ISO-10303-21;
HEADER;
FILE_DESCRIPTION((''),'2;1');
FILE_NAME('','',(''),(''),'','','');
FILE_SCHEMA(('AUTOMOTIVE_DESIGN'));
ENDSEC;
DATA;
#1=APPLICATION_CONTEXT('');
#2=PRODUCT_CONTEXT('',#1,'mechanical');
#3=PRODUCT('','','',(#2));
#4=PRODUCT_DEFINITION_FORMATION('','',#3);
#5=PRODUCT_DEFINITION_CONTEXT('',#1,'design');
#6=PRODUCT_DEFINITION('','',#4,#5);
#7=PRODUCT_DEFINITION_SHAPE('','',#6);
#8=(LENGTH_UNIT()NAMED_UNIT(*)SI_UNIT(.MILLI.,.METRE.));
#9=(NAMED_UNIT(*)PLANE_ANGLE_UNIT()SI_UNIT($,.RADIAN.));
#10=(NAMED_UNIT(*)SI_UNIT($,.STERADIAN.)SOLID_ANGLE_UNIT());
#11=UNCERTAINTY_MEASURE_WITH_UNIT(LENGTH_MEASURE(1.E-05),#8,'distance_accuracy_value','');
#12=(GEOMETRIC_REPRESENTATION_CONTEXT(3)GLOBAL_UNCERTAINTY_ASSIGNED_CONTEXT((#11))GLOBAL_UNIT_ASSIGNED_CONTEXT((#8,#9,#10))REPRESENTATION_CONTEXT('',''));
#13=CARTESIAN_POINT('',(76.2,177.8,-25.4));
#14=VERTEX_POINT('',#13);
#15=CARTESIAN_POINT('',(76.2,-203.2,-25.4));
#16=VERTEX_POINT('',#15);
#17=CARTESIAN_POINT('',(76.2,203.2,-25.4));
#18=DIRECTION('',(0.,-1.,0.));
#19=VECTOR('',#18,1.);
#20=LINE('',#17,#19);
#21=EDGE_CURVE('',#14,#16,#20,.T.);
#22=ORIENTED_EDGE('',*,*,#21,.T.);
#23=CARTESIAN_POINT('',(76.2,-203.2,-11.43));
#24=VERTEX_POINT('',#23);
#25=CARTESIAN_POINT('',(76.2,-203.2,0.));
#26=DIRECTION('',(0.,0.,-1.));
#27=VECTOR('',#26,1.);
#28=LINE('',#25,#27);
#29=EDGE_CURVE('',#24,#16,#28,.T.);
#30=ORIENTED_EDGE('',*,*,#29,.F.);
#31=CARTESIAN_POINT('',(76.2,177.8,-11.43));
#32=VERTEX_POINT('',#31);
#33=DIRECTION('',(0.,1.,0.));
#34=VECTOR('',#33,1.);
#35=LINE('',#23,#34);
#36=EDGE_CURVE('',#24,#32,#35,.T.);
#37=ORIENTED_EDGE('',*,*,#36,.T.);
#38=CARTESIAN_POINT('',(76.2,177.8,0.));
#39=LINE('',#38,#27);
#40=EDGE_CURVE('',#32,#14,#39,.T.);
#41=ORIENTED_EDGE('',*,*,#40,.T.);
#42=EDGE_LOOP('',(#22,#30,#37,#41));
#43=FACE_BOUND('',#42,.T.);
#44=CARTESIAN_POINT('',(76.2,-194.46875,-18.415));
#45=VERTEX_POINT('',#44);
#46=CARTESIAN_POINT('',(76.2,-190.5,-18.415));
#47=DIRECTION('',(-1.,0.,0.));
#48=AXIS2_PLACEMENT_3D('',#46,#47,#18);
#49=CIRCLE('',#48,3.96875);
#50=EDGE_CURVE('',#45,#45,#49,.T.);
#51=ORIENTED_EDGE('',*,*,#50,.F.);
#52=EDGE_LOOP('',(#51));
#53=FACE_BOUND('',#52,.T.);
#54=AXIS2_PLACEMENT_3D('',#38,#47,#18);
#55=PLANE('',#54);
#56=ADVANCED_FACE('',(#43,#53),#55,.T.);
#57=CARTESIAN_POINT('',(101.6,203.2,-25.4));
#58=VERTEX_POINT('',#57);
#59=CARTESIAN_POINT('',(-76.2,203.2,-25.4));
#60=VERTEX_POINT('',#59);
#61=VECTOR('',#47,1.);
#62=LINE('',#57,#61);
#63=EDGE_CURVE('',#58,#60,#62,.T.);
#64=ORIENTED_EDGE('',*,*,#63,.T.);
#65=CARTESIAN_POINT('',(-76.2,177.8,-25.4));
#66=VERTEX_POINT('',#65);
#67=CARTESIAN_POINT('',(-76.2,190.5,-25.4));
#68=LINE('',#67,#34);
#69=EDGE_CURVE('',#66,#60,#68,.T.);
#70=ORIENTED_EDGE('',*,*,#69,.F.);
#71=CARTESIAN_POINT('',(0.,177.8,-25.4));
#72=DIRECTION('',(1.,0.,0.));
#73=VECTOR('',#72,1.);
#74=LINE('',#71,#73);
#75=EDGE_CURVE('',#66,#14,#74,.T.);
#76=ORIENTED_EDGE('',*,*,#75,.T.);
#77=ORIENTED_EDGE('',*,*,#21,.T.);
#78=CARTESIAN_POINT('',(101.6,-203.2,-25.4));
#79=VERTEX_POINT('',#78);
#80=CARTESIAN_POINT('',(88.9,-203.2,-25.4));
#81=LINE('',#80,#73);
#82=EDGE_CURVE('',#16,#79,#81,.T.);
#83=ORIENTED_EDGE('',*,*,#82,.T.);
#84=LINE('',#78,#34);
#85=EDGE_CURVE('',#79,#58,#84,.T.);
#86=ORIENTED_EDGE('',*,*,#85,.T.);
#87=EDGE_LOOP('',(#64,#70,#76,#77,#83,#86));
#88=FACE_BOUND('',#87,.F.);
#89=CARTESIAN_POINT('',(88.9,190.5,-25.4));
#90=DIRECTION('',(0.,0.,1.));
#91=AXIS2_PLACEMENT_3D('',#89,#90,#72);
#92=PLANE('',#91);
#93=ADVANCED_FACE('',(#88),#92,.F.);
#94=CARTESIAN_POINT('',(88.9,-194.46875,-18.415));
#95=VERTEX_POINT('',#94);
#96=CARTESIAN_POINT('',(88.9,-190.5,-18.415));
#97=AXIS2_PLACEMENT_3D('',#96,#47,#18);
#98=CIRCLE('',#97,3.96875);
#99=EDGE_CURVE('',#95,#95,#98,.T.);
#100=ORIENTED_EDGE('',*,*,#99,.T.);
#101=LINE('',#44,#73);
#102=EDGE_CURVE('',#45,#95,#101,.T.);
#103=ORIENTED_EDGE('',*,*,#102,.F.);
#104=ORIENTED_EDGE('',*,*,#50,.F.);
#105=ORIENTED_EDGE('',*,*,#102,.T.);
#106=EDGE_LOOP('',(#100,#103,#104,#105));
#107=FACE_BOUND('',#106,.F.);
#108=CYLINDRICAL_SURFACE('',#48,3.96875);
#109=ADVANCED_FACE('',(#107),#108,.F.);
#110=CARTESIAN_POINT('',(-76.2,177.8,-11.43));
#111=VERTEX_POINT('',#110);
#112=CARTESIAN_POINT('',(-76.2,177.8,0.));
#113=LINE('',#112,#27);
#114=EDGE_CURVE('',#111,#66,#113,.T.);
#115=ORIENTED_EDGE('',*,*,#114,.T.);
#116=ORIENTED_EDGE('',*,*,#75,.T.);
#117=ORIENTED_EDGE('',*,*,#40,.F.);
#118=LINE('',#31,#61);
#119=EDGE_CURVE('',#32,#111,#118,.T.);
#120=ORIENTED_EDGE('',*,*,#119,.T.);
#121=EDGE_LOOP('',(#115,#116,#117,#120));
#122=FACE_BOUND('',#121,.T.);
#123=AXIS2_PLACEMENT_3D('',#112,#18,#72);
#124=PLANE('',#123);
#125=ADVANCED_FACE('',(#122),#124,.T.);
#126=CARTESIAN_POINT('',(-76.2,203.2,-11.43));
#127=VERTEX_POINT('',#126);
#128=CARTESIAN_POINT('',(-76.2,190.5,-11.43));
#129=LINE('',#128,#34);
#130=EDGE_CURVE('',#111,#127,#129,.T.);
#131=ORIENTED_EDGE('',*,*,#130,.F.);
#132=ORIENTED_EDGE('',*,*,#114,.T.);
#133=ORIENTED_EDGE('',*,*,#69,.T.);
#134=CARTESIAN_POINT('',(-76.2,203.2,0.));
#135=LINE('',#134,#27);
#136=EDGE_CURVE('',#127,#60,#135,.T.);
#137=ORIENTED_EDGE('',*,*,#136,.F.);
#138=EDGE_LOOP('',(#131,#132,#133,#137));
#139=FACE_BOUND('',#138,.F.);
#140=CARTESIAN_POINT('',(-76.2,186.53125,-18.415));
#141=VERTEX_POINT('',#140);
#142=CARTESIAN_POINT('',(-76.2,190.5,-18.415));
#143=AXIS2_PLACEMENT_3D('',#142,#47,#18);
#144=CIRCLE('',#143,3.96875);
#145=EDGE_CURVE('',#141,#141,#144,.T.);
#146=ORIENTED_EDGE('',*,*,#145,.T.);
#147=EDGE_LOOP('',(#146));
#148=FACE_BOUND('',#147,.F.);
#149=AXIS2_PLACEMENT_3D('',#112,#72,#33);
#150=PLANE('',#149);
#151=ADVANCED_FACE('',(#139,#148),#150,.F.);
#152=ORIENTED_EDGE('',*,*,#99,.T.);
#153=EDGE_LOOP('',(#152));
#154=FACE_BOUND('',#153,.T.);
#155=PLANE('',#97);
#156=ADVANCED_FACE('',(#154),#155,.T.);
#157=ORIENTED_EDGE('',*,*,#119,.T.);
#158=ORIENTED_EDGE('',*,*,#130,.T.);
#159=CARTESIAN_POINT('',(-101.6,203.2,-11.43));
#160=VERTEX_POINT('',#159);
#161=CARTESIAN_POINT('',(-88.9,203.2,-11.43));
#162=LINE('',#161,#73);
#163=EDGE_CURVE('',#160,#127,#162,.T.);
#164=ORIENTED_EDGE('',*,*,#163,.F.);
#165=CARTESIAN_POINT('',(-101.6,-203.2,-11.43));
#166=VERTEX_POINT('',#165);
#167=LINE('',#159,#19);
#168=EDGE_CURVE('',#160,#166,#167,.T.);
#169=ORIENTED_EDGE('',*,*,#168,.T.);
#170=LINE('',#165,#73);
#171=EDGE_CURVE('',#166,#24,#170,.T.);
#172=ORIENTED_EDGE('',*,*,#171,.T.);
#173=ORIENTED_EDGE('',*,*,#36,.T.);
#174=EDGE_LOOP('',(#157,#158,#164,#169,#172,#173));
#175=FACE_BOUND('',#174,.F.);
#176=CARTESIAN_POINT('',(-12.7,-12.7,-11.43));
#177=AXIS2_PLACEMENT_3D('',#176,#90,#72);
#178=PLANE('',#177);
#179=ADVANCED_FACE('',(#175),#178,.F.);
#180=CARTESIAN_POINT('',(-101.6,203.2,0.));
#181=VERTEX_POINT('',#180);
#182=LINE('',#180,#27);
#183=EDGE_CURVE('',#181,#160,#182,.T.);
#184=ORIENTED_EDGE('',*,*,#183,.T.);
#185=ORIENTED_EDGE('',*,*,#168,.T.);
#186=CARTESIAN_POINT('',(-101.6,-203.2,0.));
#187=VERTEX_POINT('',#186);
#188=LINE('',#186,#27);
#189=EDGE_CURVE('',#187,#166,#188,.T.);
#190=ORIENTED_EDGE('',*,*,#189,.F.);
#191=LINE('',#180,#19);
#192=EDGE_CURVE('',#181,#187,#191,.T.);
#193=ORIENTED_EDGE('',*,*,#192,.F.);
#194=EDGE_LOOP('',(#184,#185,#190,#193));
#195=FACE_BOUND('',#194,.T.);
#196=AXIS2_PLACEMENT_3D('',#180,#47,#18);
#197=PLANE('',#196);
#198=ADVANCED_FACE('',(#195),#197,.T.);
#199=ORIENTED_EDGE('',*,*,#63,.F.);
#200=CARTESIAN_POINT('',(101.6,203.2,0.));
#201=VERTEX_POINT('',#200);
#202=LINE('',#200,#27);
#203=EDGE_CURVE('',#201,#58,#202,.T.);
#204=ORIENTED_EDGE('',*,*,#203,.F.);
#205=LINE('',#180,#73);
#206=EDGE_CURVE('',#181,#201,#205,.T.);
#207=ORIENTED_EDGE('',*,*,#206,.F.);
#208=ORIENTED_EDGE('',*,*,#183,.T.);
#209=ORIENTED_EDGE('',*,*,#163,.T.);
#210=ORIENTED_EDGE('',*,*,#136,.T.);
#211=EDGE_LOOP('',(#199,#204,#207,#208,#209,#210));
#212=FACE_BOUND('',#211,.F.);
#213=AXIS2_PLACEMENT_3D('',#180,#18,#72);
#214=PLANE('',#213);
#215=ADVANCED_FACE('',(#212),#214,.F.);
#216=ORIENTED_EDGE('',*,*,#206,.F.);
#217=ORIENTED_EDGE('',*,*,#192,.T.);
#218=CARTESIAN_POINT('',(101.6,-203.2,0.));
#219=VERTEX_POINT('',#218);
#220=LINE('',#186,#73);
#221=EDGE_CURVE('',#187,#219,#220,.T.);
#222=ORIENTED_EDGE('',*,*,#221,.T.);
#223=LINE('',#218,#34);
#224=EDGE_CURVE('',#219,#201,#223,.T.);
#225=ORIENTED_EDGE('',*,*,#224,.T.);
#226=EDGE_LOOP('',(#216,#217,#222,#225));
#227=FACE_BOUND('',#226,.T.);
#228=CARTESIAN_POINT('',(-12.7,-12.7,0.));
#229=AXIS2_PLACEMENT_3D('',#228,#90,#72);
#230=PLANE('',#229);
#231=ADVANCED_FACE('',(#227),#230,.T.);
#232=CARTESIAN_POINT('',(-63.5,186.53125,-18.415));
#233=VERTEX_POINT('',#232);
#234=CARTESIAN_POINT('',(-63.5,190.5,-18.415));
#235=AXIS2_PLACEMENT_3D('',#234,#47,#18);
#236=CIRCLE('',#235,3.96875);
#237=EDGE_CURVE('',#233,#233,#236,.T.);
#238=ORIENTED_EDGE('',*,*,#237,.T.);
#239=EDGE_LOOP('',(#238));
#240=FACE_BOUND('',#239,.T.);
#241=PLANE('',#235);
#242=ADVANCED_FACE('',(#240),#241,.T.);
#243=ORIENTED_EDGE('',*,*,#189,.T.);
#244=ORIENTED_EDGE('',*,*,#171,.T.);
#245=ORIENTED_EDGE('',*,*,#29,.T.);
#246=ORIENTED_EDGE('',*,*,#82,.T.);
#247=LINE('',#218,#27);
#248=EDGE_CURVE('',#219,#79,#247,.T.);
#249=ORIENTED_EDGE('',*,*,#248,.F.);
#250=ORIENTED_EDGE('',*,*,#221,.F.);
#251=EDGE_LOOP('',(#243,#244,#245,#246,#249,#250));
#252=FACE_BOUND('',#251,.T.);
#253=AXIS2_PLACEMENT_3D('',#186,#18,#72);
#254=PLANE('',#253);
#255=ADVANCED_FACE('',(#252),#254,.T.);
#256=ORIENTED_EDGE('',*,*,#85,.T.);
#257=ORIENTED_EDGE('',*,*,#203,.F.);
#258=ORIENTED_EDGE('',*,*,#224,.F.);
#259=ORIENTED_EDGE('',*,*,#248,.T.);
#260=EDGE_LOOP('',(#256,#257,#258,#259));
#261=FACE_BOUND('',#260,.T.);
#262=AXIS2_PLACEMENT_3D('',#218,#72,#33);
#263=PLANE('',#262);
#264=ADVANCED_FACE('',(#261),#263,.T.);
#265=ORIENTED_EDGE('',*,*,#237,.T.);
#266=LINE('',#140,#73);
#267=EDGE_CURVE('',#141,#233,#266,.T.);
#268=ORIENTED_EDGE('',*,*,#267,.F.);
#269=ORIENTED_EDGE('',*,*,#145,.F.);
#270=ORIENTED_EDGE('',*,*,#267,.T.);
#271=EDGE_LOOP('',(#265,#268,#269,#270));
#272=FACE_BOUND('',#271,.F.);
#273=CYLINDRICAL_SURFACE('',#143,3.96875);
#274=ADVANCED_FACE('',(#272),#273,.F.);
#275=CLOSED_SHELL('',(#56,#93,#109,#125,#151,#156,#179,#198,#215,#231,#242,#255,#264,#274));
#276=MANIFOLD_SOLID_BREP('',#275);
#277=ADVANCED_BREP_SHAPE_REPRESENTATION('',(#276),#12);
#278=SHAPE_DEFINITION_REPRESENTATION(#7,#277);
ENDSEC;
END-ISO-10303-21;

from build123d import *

# Parameters (mm, degrees)
F0_W     = 25.4
F0_H     = 25.4
F0_H_2   = 381
F0_W_2   = 152.4
F1_DEPTH = 25.4
F2_DEPTH = 11.43
F3_R     = 3.96875
F4_DEPTH = 12.7
F5_R     = 3.96875
F6_DEPTH = 12.7


with BuildPart() as f1:
    # F0 (on Top) → F1 (new body)
    with BuildSketch(Plane.XY):
        with Locations((88.9, 190.5)):
            Rectangle(F0_W, F0_H)
        with Locations((88.9, -12.7)):
            Rectangle(F0_W, F0_H_2)
        with Locations((0, 190.5)):
            Rectangle(F0_W_2, F0_H)
    extrude(amount=-F1_DEPTH)

    # F0 (on Top) → F2 (join)
    with BuildSketch(Plane.XY):
        Polygon((76.2, -203.2), (76.2, 177.8), (-76.2, 177.8), (-101.6, 177.8), (-101.6, -203.2), align=None)
        with Locations((-88.9, 190.5)):
            Rectangle(F0_W, F0_H)
    extrude(amount=-F2_DEPTH)

    # F3 (on face) → F4 (cut)
    with BuildSketch(Plane(origin=(-76.2, 0, 0), x_dir=(0, -1, 0), z_dir=(-1, 0, 0))):
        with Locations((-190.5, -18.415)):
            Circle(F3_R)
    extrude(amount=-F4_DEPTH, mode=Mode.SUBTRACT)

    # F5 (on face) → F6 (cut)
    with BuildSketch(Plane(origin=(76.2, 0, 0), x_dir=(0, -1, 0), z_dir=(-1, 0, 0))):
        with Locations((190.5, -18.415)):
            Circle(F5_R)
    extrude(amount=-F6_DEPTH, mode=Mode.SUBTRACT)


solid = f1.part
